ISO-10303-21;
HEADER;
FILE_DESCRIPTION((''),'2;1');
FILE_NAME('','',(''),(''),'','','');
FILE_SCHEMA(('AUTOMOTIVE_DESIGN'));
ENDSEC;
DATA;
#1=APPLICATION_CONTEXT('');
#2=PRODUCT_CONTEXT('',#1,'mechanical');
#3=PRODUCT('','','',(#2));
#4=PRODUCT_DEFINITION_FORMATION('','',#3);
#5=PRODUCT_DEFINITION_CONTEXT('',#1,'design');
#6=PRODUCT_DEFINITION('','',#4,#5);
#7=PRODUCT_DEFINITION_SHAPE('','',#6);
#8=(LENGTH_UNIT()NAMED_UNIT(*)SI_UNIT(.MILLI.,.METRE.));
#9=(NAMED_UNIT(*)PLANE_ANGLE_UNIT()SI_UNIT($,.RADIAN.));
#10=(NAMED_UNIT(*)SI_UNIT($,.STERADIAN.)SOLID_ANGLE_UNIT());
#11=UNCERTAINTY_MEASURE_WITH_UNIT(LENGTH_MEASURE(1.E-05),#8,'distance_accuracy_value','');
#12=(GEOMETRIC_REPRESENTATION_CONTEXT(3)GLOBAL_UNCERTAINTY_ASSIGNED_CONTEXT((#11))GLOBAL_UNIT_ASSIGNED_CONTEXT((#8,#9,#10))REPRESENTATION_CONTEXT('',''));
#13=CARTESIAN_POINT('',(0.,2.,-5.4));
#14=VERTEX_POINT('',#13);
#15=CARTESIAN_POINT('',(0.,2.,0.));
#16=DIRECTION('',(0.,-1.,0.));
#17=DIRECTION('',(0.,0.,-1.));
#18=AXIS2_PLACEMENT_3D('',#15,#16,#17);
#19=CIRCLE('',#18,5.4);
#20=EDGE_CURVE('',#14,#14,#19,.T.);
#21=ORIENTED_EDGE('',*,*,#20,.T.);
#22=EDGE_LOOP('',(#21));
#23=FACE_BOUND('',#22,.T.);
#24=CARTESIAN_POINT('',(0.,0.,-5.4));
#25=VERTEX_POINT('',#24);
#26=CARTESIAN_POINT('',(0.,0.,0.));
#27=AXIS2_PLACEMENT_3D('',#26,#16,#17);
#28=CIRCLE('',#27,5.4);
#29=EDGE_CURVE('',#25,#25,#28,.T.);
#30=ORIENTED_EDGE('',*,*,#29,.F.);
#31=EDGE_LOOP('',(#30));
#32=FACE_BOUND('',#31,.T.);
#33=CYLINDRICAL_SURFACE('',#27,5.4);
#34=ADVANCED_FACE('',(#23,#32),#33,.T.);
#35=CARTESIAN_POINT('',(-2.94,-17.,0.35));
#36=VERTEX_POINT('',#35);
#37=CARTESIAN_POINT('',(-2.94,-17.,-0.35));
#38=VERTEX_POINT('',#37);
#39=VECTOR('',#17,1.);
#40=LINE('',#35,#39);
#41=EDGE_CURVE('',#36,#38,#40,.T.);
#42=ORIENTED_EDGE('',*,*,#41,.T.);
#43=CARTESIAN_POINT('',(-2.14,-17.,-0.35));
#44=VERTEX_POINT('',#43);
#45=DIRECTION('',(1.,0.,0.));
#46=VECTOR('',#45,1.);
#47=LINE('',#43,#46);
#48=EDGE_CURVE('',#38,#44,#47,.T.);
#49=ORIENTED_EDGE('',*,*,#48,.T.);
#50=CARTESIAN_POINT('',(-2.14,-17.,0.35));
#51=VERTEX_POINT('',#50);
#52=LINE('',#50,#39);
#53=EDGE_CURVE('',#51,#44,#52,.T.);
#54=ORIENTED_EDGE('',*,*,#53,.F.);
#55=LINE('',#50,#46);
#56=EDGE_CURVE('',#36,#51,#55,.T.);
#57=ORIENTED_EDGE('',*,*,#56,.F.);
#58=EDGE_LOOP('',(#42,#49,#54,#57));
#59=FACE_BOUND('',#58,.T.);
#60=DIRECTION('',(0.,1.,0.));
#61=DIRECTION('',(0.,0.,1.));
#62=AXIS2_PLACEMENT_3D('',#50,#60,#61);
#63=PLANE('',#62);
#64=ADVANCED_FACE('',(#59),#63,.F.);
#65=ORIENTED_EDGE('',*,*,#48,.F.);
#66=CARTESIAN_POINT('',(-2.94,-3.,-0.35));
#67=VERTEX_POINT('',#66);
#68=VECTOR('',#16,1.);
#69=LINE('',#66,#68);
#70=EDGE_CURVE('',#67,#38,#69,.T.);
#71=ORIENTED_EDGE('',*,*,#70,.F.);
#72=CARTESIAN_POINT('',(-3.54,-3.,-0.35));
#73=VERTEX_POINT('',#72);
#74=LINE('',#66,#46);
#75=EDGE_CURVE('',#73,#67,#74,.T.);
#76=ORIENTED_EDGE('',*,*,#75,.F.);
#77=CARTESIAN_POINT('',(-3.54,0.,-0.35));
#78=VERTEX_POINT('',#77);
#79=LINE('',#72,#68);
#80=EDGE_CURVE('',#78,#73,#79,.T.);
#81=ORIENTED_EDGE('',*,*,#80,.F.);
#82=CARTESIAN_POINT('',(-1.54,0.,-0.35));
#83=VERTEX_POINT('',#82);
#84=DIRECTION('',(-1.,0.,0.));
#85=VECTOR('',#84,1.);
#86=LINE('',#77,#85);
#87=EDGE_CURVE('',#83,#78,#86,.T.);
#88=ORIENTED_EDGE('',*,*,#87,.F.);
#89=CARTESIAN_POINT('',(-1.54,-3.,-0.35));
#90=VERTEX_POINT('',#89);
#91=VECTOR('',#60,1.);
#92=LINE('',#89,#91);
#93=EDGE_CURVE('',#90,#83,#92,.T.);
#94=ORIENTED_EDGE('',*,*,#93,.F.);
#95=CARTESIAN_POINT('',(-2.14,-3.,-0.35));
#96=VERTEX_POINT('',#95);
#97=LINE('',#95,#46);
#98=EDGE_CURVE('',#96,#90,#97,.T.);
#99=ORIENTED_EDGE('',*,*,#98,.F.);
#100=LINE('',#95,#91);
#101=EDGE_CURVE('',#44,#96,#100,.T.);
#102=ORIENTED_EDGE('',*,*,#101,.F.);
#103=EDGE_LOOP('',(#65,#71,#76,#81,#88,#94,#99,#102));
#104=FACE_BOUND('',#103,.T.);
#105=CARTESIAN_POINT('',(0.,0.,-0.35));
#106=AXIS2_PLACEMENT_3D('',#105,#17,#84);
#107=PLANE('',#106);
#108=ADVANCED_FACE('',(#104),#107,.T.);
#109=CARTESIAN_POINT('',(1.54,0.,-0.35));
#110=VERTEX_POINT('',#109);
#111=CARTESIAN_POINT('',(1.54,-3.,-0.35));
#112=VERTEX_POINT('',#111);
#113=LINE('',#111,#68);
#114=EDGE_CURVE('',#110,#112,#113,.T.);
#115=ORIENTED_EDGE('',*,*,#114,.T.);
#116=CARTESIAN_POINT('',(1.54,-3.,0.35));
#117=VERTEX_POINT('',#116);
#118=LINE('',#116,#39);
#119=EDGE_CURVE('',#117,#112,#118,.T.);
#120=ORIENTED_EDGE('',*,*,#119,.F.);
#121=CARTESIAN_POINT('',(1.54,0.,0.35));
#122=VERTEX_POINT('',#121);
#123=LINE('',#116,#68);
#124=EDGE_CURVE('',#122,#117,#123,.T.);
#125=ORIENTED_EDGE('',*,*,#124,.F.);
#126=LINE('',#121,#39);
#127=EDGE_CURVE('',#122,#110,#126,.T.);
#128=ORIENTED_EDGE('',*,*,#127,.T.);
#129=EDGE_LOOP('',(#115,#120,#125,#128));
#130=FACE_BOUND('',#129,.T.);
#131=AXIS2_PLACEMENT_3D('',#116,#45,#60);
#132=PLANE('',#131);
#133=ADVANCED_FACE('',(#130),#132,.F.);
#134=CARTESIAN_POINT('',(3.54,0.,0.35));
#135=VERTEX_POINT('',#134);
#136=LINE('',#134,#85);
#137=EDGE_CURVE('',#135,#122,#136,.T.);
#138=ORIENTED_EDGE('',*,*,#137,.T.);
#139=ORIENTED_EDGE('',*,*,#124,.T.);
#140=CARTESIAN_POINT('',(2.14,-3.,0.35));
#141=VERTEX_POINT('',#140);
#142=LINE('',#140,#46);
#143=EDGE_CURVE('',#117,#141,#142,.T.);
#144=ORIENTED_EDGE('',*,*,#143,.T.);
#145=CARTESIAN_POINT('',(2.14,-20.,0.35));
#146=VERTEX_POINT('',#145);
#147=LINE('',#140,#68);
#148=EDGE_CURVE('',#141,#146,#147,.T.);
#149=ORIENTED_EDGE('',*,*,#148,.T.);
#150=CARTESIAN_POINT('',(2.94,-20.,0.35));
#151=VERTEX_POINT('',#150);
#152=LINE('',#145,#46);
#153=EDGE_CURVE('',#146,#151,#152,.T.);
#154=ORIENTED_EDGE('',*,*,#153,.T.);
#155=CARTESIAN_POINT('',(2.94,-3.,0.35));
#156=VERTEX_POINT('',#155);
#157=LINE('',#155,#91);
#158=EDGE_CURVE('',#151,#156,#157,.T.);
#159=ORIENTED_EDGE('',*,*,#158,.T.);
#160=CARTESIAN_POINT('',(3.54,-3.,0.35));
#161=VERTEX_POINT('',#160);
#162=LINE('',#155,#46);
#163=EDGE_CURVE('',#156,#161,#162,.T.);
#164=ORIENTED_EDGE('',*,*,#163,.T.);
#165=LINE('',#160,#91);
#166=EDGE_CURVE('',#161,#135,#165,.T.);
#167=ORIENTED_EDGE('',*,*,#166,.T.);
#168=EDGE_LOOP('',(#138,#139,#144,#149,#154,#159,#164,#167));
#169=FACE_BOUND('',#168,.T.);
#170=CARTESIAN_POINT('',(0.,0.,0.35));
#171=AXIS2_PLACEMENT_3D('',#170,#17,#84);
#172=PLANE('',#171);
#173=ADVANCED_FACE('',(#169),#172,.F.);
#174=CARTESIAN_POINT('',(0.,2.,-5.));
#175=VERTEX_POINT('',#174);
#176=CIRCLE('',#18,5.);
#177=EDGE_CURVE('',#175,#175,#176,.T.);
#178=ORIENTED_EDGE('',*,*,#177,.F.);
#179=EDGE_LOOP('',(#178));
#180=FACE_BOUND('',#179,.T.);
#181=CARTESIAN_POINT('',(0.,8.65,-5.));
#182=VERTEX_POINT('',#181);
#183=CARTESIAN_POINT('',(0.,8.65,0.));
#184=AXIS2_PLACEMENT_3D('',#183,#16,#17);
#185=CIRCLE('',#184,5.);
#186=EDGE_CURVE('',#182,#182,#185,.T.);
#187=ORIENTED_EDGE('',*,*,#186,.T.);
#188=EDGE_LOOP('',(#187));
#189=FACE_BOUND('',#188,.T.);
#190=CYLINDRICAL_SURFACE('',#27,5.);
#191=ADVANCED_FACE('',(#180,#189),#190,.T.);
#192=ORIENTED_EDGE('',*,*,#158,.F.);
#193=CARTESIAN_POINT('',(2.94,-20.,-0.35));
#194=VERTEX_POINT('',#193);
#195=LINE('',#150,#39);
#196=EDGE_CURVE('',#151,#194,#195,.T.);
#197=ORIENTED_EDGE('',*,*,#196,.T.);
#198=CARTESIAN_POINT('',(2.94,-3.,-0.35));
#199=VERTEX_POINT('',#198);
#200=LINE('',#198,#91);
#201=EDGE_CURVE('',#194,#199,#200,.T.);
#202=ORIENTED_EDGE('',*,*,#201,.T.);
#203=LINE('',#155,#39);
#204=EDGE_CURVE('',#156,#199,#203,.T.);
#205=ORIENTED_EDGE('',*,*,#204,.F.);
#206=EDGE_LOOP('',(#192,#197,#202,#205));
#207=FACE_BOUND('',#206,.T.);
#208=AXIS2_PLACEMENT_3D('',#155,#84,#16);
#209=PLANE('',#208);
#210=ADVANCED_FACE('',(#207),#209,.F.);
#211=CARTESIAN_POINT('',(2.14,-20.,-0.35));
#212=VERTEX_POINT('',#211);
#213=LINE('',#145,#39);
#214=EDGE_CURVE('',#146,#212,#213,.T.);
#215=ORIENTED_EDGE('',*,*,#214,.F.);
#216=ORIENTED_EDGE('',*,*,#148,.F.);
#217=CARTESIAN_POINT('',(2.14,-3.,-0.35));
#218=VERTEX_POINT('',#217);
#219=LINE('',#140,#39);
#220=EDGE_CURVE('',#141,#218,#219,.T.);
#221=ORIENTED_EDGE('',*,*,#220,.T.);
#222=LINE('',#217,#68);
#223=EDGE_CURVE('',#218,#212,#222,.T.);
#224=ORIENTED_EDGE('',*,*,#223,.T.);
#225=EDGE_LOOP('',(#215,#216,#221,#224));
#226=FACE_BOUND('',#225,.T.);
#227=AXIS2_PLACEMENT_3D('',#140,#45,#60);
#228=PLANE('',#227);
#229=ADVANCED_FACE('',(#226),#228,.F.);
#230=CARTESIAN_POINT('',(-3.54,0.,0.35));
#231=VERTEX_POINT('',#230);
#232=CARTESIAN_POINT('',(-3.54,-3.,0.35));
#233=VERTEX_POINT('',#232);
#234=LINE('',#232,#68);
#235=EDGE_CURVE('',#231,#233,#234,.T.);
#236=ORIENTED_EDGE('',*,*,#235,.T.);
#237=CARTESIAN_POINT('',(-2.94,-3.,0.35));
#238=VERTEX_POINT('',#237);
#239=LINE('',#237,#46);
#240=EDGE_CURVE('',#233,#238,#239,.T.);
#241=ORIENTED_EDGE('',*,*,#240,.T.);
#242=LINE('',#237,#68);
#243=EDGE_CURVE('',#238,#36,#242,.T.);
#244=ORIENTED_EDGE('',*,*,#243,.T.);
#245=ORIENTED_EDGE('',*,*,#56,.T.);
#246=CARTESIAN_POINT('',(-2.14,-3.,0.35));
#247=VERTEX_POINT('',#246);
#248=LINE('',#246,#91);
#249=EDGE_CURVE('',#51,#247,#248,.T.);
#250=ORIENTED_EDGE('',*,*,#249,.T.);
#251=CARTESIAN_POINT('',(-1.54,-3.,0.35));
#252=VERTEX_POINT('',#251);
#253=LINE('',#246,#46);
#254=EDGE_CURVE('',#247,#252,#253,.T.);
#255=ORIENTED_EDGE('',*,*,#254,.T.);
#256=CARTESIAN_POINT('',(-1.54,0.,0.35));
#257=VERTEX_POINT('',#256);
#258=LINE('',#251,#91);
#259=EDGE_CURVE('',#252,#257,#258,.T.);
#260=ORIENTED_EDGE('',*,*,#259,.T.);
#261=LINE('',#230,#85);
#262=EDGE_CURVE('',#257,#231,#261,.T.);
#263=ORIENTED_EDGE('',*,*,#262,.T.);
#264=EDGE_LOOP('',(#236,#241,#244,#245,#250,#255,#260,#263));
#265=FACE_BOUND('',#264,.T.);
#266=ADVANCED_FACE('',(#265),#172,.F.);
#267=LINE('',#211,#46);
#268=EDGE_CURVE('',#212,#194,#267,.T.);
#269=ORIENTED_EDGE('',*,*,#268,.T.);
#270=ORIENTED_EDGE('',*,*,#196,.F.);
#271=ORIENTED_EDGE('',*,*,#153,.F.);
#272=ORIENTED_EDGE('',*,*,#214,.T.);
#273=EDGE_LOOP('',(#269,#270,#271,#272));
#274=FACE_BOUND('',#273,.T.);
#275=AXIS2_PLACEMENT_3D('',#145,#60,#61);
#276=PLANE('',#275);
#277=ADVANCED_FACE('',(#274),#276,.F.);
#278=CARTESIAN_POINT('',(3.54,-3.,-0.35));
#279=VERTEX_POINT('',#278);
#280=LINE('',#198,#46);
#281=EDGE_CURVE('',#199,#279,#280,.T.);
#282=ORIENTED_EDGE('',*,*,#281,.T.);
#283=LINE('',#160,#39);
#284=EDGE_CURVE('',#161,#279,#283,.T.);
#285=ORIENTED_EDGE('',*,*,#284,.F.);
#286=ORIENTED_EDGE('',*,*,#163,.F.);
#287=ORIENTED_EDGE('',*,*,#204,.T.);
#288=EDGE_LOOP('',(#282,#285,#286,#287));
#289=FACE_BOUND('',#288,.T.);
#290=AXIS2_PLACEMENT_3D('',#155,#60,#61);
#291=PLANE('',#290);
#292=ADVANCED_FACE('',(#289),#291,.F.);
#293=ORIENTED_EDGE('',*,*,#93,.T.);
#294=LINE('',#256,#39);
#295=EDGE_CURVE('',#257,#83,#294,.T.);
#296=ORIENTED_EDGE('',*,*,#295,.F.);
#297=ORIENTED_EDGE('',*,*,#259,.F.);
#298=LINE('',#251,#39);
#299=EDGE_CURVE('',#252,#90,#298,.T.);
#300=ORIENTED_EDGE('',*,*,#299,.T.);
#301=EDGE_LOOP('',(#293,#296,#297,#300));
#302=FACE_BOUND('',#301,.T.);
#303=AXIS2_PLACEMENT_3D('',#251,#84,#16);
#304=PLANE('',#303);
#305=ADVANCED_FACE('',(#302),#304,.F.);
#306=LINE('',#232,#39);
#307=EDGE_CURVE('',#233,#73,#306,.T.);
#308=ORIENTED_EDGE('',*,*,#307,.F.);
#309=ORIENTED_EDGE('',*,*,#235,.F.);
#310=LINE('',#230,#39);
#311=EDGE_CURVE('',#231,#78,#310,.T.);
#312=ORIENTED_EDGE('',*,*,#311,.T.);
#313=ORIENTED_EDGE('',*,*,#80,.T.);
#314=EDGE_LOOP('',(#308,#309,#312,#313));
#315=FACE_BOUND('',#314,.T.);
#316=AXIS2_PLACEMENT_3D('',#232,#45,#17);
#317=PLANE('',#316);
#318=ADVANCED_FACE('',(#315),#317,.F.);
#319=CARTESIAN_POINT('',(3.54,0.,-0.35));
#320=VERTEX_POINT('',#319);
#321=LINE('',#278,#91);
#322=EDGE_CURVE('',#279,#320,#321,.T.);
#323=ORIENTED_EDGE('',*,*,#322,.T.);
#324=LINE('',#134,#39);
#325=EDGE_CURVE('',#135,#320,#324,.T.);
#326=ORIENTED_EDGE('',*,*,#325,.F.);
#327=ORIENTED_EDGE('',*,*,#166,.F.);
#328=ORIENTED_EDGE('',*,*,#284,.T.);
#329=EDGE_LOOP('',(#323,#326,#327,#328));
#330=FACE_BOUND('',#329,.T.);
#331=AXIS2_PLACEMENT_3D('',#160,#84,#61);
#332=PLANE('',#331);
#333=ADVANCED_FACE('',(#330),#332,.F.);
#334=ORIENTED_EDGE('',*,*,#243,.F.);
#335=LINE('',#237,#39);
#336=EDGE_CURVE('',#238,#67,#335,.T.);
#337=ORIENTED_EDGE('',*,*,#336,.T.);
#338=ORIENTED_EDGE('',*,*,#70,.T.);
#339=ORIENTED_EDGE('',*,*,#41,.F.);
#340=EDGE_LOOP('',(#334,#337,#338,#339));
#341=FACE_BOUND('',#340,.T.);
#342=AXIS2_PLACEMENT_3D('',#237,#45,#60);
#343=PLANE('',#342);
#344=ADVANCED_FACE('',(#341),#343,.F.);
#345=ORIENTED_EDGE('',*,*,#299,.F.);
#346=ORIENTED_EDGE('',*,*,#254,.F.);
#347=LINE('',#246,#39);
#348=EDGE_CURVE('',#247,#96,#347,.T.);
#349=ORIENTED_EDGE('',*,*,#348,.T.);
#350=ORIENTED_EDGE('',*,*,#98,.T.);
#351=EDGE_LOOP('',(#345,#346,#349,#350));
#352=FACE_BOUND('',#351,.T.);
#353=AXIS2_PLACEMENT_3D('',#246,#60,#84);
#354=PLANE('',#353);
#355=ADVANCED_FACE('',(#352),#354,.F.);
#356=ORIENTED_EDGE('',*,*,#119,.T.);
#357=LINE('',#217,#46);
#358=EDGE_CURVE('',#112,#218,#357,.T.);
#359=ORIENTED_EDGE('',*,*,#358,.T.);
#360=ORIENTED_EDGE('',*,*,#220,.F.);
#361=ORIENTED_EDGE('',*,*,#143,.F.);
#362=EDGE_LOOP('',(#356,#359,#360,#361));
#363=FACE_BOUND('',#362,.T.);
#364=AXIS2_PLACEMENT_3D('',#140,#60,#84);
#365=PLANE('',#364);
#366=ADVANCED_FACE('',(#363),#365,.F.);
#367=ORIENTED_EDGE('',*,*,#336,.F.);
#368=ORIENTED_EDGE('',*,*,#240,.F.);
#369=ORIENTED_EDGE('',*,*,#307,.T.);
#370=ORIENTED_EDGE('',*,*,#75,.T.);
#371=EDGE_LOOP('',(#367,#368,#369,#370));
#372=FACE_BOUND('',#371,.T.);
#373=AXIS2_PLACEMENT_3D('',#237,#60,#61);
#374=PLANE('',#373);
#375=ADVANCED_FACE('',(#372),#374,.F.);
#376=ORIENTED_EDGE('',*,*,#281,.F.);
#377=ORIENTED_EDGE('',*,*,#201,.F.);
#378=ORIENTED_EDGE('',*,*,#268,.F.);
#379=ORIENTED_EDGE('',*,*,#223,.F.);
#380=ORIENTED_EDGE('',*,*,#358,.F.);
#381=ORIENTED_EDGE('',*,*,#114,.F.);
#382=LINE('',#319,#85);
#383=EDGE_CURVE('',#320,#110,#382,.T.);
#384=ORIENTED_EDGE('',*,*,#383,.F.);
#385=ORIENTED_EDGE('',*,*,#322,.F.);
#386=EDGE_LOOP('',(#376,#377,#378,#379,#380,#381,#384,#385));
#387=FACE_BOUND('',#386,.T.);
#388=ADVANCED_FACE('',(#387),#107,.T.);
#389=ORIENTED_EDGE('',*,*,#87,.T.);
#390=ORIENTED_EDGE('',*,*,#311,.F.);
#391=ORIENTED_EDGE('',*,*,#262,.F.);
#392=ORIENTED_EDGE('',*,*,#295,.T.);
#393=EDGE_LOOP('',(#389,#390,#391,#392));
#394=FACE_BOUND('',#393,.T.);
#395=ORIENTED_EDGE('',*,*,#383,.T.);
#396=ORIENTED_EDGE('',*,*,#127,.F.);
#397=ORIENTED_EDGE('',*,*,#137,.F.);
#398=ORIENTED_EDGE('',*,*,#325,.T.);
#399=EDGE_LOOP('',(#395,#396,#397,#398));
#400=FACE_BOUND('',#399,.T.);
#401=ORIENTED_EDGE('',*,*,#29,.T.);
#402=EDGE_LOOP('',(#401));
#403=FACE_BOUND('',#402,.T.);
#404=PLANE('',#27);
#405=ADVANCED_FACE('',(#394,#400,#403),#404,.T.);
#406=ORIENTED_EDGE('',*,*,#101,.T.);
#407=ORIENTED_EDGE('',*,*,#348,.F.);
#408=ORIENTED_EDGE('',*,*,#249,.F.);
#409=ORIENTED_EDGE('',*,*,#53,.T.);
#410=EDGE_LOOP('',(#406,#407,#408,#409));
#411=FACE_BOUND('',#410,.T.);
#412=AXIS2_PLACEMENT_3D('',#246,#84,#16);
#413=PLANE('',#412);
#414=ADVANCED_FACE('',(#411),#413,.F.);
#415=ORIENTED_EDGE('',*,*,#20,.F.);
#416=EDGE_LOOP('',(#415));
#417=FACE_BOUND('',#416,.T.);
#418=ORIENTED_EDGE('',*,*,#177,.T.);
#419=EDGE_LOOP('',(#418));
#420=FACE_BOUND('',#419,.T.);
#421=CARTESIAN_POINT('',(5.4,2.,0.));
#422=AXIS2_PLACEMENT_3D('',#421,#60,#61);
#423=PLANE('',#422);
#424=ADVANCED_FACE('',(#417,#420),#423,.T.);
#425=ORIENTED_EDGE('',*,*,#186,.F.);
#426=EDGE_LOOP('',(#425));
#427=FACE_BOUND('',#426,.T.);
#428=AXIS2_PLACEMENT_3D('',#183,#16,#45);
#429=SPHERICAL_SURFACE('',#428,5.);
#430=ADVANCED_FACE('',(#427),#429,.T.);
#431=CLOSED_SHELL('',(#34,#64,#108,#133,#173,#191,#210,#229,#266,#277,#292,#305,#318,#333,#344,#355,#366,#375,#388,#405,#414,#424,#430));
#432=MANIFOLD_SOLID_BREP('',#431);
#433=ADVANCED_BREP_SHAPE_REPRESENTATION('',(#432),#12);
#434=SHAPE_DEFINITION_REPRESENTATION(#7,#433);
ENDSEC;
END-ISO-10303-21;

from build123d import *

# Parameters (mm, degrees)
BOSS_EXTRUDE1_DEPTH = 0.35


with BuildPart() as part:
    # Sketch1 → Revolve1 (revolve)
    with BuildSketch(Plane.XY):
        with BuildLine():
            Line((0, 0), (5.4, 0))
            Line((5.4, 0), (5.4, 2))
            Line((5.4, 2), (5, 2))
            Line((5, 2), (5, 8.65))
            ThreePointArc((5, 8.65), (3.535533906, 12.185533906), (0, 13.65))
            Line((0, 13.65), (0, 0))
        make_face()
    revolve(axis=Axis((0, 0, 0), (0, 1, 0)))

    # Sketch3 → Boss-Extrude1 (add, symmetric)
    with BuildSketch(Plane.XY):
        Polygon((1.54, -3), (1.54, 0), (3.54, 0), (3.54, -3), (2.94, -3), (2.94, -20), (2.14, -20), (2.14, -3), align=None)
        Polygon((-2.14, -17), (-2.94, -17), (-2.94, -3), (-3.54, -3), (-3.54, 0), (-1.54, 0), (-1.54, -3), (-2.14, -3), align=None)
    extrude(amount=BOSS_EXTRUDE1_DEPTH, both=True)


solid = part.part
